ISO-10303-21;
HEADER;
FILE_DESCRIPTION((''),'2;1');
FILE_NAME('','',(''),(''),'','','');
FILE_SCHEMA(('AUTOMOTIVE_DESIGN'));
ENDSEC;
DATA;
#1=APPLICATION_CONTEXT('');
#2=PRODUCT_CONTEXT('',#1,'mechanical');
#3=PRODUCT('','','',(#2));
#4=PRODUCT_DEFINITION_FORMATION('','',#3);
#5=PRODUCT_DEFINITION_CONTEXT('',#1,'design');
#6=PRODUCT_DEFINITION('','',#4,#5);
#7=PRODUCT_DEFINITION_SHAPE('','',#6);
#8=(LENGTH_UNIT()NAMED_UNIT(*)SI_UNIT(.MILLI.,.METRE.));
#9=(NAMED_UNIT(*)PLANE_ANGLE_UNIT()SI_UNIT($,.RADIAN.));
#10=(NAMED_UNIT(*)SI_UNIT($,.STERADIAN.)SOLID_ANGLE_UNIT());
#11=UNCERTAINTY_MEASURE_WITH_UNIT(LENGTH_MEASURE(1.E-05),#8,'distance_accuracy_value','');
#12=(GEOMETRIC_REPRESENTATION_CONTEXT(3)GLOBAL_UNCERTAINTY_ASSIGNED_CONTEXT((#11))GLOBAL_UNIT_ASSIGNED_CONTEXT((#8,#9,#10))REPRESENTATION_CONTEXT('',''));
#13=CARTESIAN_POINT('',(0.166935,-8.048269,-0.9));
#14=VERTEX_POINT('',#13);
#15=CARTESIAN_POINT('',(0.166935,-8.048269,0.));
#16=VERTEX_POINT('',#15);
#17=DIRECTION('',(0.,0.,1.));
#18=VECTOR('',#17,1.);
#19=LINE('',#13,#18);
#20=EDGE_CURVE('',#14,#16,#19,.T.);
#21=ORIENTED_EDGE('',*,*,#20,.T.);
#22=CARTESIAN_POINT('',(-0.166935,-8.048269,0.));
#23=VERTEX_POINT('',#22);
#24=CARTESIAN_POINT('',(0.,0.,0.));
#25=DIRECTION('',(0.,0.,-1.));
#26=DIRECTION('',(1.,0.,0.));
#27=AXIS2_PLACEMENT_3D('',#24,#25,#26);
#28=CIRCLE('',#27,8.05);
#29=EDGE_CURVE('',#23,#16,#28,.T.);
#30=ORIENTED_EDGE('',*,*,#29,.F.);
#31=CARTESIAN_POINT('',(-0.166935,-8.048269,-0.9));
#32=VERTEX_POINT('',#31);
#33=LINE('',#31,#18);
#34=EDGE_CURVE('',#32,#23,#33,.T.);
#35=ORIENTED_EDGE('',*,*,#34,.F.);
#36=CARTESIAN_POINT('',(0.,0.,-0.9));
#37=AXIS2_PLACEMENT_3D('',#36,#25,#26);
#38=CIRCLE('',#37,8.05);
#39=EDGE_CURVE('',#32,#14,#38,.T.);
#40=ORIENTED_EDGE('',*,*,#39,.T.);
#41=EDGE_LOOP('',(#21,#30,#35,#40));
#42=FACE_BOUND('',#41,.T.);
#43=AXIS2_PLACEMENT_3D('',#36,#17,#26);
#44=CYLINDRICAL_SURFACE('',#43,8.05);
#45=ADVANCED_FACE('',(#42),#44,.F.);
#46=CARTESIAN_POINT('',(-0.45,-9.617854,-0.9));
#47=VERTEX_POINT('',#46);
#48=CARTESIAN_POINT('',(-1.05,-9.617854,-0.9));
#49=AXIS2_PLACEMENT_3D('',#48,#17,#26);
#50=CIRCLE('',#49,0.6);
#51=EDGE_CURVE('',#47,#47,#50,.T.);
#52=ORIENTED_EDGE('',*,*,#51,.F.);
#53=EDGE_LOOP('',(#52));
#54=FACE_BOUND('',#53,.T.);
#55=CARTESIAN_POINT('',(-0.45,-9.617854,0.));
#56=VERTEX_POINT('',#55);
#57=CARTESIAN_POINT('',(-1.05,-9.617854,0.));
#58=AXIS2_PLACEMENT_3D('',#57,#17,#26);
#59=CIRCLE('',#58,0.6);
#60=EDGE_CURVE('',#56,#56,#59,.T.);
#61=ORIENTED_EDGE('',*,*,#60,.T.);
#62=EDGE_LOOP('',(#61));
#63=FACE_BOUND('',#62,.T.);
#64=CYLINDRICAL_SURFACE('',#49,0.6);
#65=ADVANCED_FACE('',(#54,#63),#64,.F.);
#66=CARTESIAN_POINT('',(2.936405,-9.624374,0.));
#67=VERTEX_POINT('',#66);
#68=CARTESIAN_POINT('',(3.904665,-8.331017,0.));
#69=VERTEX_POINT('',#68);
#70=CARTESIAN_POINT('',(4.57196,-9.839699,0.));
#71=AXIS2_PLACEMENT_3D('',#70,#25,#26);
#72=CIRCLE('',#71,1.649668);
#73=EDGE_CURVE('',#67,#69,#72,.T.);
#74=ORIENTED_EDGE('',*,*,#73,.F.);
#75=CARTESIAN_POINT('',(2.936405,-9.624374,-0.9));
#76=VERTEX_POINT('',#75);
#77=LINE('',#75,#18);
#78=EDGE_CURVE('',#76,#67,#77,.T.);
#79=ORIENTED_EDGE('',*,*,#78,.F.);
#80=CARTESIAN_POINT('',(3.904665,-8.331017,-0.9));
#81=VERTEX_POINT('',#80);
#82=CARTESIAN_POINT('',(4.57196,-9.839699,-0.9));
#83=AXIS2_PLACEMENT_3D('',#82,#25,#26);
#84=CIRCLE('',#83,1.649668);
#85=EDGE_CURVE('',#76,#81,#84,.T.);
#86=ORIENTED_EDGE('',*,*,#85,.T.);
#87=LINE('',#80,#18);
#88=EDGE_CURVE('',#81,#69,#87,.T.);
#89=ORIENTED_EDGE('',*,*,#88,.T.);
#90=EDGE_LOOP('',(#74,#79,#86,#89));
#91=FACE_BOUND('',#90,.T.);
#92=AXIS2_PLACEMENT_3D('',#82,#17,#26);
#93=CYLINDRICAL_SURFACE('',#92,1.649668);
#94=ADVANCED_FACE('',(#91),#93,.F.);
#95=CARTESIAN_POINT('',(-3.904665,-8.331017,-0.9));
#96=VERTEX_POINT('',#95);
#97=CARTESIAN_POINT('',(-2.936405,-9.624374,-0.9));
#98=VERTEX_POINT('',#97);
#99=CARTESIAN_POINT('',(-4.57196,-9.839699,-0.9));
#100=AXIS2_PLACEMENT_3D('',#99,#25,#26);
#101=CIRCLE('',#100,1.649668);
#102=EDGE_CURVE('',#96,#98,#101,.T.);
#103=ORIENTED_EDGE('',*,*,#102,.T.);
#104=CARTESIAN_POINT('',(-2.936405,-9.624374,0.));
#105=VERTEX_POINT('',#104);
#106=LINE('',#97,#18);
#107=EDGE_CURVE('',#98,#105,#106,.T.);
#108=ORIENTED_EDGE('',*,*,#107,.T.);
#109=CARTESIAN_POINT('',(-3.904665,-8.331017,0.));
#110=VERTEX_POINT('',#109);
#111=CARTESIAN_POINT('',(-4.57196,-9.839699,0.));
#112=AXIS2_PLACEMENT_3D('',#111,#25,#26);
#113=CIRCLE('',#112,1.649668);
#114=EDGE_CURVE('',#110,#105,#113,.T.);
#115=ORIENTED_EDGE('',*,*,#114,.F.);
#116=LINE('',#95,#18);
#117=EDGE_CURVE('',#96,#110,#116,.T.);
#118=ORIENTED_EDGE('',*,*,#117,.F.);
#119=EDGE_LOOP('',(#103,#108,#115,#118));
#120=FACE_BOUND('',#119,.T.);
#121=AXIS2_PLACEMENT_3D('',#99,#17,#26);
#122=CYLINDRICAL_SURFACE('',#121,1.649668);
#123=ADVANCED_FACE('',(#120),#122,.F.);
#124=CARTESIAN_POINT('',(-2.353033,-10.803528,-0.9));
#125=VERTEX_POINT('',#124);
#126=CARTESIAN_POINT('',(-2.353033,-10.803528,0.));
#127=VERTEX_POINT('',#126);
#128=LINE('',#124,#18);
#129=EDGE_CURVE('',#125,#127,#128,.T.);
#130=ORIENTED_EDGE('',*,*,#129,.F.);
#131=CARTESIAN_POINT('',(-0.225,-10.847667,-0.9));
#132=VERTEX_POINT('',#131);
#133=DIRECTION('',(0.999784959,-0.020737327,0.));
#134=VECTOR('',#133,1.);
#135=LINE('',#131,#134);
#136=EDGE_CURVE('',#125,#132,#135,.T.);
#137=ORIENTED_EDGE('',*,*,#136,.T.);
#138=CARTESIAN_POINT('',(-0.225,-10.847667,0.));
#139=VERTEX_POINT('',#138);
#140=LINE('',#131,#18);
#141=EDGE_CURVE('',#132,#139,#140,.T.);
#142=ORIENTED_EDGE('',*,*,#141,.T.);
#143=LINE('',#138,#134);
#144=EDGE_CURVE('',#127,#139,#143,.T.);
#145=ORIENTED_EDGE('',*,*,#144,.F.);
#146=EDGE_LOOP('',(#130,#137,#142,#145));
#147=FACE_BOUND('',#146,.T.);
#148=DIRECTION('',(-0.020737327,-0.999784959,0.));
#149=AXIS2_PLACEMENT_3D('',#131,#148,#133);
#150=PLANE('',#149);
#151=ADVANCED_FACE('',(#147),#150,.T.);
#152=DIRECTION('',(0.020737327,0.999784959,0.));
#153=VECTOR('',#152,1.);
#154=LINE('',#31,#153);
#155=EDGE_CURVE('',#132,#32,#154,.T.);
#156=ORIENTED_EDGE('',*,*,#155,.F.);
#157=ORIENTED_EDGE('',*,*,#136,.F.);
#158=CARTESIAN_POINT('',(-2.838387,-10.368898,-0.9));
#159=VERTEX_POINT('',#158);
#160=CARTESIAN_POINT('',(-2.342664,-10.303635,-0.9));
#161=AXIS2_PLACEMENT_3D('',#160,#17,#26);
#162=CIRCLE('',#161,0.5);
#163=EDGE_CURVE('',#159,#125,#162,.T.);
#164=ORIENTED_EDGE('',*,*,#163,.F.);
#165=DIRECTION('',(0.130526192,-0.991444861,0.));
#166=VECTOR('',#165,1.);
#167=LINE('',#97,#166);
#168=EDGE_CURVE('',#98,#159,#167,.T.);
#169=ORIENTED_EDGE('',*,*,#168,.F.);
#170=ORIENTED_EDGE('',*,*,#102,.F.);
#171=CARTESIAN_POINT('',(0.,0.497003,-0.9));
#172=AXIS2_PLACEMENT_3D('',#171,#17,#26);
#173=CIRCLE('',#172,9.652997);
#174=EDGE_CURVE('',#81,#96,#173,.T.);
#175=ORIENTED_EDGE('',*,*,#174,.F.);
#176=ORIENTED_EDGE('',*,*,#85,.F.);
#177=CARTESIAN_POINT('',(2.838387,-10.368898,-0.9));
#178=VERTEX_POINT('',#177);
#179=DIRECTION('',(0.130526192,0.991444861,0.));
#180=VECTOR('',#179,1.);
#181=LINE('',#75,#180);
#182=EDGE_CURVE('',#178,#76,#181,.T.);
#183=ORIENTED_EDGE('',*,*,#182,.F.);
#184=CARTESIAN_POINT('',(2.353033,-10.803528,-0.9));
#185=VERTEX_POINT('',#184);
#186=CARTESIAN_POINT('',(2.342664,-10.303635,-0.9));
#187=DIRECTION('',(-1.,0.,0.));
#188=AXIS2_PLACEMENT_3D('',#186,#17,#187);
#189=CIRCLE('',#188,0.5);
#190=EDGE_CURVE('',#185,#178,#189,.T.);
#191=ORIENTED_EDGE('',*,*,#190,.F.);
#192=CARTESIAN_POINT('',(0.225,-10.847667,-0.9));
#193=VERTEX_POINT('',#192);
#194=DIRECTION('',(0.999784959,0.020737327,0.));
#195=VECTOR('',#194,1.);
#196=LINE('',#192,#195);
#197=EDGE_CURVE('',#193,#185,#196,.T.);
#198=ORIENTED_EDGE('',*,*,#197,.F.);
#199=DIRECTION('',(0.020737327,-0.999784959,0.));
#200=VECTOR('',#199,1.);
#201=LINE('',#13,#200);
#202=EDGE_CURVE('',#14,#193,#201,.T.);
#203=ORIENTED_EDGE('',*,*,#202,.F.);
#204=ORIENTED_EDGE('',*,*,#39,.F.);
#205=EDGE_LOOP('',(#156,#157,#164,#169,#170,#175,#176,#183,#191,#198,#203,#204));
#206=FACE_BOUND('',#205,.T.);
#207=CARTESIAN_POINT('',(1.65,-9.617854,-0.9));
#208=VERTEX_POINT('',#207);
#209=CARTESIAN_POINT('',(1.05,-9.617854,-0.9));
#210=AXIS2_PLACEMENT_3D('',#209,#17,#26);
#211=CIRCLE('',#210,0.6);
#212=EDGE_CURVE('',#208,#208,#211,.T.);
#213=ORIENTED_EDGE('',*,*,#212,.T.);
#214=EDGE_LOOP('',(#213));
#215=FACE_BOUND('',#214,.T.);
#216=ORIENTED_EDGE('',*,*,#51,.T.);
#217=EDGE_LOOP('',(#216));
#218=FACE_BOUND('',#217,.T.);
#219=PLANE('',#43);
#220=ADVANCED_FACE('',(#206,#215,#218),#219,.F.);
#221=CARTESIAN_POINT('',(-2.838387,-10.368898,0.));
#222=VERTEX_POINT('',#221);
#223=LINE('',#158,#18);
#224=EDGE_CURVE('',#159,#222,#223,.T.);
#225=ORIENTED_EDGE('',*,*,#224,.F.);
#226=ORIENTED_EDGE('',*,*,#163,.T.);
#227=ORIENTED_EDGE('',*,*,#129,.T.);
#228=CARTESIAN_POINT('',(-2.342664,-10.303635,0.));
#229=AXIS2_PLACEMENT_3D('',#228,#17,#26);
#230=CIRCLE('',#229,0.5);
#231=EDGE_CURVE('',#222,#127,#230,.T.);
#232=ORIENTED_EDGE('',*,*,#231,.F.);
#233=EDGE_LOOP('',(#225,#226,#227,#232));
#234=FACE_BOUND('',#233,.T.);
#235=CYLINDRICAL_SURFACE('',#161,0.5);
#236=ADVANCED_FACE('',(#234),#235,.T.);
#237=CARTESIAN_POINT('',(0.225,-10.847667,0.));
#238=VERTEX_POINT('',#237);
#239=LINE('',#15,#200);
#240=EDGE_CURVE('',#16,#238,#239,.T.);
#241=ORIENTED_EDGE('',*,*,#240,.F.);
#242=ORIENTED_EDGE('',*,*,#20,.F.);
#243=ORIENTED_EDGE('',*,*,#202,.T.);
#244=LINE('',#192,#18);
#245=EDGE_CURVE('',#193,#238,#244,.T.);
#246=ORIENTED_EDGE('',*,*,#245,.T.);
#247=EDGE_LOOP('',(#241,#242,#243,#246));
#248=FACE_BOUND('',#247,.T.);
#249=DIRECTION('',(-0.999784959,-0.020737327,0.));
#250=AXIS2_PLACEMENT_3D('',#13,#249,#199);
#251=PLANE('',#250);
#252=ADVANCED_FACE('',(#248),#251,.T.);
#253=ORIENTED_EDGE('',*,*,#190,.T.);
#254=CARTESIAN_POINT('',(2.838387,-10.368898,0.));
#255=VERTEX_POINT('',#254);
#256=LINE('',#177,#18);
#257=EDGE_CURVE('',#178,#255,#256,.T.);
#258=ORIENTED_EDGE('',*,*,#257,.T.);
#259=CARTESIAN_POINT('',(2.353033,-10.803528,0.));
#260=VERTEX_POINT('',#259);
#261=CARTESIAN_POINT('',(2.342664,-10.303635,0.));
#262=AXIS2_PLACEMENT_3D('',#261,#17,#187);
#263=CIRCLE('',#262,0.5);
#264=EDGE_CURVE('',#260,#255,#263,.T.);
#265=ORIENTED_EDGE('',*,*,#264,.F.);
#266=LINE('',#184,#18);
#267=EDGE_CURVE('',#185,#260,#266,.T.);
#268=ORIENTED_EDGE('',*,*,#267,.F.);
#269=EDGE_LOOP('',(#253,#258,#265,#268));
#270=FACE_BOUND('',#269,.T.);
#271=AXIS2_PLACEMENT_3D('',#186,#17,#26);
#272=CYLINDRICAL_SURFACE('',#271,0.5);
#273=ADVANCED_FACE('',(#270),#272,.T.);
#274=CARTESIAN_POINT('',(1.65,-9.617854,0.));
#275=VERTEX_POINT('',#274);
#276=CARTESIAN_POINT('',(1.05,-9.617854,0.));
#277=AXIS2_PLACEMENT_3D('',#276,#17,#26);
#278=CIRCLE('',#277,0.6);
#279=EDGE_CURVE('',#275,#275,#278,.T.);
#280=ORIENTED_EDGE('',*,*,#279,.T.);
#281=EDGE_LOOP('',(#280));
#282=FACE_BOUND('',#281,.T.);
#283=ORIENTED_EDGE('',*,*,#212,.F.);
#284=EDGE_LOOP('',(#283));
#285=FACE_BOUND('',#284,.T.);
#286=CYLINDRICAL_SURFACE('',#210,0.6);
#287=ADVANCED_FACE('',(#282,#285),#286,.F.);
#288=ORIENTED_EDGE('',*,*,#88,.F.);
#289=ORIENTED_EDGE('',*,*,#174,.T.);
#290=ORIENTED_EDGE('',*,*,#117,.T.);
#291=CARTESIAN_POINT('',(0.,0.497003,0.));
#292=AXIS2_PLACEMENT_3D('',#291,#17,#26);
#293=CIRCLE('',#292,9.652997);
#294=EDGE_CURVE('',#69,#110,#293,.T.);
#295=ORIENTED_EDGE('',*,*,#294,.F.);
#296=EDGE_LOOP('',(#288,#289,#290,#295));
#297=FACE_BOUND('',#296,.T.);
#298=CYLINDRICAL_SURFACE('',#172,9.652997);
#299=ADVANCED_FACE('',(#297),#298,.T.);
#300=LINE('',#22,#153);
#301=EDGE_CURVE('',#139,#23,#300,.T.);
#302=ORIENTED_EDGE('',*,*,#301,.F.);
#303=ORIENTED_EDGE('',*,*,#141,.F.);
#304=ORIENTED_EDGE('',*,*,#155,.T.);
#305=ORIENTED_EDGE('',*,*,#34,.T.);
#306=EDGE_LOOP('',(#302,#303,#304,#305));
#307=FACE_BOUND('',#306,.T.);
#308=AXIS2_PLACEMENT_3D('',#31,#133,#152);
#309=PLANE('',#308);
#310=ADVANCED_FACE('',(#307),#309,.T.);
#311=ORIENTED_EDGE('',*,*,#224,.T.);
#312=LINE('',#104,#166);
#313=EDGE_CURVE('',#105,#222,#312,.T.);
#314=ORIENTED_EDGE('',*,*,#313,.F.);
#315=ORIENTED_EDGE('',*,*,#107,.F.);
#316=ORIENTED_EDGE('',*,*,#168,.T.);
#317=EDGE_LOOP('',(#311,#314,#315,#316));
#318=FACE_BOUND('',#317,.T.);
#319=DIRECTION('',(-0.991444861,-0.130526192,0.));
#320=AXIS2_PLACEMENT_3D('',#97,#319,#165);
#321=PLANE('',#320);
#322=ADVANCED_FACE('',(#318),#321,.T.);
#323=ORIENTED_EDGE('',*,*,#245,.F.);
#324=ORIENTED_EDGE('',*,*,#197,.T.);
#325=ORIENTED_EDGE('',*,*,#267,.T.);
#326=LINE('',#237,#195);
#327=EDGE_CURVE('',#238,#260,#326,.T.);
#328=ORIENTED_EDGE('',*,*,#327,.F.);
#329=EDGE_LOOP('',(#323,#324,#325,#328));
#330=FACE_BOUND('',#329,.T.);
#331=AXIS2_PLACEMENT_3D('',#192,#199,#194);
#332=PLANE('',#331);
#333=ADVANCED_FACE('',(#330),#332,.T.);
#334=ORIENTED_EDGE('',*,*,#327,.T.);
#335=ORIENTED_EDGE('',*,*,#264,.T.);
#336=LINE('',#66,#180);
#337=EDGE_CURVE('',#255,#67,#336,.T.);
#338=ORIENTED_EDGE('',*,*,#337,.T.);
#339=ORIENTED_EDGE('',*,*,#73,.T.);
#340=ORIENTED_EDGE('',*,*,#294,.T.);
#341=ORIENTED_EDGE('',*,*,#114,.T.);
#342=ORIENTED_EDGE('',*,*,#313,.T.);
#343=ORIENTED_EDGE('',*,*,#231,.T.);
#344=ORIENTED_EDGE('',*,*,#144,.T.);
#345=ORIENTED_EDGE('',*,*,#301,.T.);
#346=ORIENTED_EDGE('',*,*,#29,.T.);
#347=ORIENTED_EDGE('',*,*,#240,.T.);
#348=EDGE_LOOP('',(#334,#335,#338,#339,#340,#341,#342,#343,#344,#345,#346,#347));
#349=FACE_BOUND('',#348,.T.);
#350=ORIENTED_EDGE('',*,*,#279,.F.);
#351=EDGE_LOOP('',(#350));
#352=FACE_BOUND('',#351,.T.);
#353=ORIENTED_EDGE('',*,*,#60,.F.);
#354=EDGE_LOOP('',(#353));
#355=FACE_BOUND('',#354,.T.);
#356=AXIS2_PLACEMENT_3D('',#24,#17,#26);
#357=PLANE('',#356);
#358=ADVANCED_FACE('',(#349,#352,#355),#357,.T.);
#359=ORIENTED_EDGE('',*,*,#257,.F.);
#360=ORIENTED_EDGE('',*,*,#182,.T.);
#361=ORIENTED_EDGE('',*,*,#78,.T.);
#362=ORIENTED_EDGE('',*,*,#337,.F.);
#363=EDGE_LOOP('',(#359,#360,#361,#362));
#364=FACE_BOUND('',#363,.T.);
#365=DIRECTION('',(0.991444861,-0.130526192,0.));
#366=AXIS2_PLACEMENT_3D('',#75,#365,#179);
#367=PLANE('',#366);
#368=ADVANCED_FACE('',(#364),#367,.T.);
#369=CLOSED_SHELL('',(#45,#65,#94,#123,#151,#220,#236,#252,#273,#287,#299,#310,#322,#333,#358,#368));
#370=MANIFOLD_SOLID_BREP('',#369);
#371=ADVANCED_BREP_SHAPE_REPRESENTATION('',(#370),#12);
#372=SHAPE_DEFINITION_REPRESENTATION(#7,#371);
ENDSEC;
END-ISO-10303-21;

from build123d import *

# Parameters (mm, degrees)
BODYSKE_R  = 0.6
BODY_DEPTH = 0.9


with BuildPart() as part:
    # BodySke → Body (new body)
    with BuildSketch(Plane.XY):
        with BuildLine():
            Line((0.166935484, -8.048268916), (0.225, -10.8476668))
            Line((0.225, -10.8476668), (2.353032971, -10.803527592))
            ThreePointArc((2.353032971, -10.803527592), (2.676217488, -10.676116355), (2.838386738, -10.368898209))
            Line((2.838386738, -10.368898209), (2.936405186, -9.624374178))
            ThreePointArc((2.936405186, -9.624374178), (3.251364406, -8.851047556), (3.904664808, -8.331016828))
            ThreePointArc((3.904664808, -8.331016828), (0, 10.15), (-3.904664808, -8.331016828))
            ThreePointArc((-3.904664808, -8.331016828), (-3.251364406, -8.851047556), (-2.936405186, -9.624374178))
            Line((-2.936405186, -9.624374178), (-2.838386738, -10.368898209))
            ThreePointArc((-2.838386738, -10.368898209), (-2.676217488, -10.676116355), (-2.353032971, -10.803527592))
            Line((-2.353032971, -10.803527592), (-0.225, -10.8476668))
            Line((-0.225, -10.8476668), (-0.166935484, -8.048268916))
            ThreePointArc((-0.166935484, -8.048268916), (0, 8.05), (0.166935484, -8.048268916))
        make_face()
        with Locations((1.05, -9.61785449)):
            Circle(BODYSKE_R, mode=Mode.SUBTRACT)
        with Locations((-1.05, -9.61785449)):
            Circle(BODYSKE_R, mode=Mode.SUBTRACT)
    extrude(amount=-BODY_DEPTH)


solid = part.part
